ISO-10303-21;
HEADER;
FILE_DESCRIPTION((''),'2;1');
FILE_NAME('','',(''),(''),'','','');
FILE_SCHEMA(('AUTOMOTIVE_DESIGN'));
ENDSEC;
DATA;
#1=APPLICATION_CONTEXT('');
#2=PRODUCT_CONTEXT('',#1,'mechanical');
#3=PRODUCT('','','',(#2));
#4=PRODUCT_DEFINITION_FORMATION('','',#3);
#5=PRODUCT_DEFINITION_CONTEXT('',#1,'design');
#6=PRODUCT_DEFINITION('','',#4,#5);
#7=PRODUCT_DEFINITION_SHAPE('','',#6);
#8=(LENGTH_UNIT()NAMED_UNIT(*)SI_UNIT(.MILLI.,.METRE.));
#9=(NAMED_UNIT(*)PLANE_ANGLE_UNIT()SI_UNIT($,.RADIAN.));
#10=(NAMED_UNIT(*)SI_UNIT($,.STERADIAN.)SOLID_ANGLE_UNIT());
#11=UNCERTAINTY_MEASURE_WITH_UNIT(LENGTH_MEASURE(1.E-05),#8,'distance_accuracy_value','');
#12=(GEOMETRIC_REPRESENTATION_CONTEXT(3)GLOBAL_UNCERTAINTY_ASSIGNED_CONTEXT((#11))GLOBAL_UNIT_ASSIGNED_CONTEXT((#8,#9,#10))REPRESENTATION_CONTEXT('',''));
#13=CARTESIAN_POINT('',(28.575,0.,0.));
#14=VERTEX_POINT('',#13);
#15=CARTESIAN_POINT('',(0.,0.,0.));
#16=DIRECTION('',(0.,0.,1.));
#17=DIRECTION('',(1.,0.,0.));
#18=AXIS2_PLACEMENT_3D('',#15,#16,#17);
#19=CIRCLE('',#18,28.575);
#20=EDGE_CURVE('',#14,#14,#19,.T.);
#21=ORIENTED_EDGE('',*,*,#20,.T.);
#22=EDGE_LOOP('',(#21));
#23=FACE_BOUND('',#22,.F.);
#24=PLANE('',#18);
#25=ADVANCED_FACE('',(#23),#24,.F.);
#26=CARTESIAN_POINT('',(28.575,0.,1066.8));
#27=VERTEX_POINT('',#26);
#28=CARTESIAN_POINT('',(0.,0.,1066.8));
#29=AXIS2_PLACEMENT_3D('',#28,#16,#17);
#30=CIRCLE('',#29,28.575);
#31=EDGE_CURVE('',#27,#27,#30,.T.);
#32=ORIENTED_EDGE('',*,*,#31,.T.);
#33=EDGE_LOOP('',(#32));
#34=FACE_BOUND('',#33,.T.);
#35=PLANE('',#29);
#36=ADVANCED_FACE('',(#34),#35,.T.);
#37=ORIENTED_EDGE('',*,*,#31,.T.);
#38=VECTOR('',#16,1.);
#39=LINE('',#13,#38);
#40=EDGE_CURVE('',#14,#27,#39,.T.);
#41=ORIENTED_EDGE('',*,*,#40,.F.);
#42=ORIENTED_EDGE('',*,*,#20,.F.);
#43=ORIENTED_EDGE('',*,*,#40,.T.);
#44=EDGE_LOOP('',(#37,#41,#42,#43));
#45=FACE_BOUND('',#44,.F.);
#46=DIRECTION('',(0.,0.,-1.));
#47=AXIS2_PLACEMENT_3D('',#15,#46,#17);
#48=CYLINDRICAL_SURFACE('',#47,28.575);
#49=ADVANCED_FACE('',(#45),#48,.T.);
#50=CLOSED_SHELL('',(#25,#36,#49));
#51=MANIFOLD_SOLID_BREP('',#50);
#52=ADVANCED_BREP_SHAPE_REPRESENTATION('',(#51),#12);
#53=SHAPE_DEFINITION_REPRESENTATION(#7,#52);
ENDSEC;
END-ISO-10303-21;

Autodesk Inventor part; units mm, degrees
ref_plane "YZ Plane" through (0, 0, 0) normal (1, 0, 0) x (0, 1, 0)
ref_plane "XZ Plane" through (0, 0, 0) normal (0, 1, 0) x (-1, 0, 0)
ref_plane "XY Plane" through (0, 0, 0) normal (0, 0, 1) x (1, 0, 0)
sketch "Sketch1" plane through (0, 0, 0) normal (0, 0, 1) x (1, 0, 0)
  circle A0 centre (0, 0) radius 28.575
  dimension "d0" = 57.15
extrude "Extrusion1" add sketch "Sketch1" along normal blind 1066.8
properties part number "2.25 bar x 3.5ft" material "Steel, Alloy"
